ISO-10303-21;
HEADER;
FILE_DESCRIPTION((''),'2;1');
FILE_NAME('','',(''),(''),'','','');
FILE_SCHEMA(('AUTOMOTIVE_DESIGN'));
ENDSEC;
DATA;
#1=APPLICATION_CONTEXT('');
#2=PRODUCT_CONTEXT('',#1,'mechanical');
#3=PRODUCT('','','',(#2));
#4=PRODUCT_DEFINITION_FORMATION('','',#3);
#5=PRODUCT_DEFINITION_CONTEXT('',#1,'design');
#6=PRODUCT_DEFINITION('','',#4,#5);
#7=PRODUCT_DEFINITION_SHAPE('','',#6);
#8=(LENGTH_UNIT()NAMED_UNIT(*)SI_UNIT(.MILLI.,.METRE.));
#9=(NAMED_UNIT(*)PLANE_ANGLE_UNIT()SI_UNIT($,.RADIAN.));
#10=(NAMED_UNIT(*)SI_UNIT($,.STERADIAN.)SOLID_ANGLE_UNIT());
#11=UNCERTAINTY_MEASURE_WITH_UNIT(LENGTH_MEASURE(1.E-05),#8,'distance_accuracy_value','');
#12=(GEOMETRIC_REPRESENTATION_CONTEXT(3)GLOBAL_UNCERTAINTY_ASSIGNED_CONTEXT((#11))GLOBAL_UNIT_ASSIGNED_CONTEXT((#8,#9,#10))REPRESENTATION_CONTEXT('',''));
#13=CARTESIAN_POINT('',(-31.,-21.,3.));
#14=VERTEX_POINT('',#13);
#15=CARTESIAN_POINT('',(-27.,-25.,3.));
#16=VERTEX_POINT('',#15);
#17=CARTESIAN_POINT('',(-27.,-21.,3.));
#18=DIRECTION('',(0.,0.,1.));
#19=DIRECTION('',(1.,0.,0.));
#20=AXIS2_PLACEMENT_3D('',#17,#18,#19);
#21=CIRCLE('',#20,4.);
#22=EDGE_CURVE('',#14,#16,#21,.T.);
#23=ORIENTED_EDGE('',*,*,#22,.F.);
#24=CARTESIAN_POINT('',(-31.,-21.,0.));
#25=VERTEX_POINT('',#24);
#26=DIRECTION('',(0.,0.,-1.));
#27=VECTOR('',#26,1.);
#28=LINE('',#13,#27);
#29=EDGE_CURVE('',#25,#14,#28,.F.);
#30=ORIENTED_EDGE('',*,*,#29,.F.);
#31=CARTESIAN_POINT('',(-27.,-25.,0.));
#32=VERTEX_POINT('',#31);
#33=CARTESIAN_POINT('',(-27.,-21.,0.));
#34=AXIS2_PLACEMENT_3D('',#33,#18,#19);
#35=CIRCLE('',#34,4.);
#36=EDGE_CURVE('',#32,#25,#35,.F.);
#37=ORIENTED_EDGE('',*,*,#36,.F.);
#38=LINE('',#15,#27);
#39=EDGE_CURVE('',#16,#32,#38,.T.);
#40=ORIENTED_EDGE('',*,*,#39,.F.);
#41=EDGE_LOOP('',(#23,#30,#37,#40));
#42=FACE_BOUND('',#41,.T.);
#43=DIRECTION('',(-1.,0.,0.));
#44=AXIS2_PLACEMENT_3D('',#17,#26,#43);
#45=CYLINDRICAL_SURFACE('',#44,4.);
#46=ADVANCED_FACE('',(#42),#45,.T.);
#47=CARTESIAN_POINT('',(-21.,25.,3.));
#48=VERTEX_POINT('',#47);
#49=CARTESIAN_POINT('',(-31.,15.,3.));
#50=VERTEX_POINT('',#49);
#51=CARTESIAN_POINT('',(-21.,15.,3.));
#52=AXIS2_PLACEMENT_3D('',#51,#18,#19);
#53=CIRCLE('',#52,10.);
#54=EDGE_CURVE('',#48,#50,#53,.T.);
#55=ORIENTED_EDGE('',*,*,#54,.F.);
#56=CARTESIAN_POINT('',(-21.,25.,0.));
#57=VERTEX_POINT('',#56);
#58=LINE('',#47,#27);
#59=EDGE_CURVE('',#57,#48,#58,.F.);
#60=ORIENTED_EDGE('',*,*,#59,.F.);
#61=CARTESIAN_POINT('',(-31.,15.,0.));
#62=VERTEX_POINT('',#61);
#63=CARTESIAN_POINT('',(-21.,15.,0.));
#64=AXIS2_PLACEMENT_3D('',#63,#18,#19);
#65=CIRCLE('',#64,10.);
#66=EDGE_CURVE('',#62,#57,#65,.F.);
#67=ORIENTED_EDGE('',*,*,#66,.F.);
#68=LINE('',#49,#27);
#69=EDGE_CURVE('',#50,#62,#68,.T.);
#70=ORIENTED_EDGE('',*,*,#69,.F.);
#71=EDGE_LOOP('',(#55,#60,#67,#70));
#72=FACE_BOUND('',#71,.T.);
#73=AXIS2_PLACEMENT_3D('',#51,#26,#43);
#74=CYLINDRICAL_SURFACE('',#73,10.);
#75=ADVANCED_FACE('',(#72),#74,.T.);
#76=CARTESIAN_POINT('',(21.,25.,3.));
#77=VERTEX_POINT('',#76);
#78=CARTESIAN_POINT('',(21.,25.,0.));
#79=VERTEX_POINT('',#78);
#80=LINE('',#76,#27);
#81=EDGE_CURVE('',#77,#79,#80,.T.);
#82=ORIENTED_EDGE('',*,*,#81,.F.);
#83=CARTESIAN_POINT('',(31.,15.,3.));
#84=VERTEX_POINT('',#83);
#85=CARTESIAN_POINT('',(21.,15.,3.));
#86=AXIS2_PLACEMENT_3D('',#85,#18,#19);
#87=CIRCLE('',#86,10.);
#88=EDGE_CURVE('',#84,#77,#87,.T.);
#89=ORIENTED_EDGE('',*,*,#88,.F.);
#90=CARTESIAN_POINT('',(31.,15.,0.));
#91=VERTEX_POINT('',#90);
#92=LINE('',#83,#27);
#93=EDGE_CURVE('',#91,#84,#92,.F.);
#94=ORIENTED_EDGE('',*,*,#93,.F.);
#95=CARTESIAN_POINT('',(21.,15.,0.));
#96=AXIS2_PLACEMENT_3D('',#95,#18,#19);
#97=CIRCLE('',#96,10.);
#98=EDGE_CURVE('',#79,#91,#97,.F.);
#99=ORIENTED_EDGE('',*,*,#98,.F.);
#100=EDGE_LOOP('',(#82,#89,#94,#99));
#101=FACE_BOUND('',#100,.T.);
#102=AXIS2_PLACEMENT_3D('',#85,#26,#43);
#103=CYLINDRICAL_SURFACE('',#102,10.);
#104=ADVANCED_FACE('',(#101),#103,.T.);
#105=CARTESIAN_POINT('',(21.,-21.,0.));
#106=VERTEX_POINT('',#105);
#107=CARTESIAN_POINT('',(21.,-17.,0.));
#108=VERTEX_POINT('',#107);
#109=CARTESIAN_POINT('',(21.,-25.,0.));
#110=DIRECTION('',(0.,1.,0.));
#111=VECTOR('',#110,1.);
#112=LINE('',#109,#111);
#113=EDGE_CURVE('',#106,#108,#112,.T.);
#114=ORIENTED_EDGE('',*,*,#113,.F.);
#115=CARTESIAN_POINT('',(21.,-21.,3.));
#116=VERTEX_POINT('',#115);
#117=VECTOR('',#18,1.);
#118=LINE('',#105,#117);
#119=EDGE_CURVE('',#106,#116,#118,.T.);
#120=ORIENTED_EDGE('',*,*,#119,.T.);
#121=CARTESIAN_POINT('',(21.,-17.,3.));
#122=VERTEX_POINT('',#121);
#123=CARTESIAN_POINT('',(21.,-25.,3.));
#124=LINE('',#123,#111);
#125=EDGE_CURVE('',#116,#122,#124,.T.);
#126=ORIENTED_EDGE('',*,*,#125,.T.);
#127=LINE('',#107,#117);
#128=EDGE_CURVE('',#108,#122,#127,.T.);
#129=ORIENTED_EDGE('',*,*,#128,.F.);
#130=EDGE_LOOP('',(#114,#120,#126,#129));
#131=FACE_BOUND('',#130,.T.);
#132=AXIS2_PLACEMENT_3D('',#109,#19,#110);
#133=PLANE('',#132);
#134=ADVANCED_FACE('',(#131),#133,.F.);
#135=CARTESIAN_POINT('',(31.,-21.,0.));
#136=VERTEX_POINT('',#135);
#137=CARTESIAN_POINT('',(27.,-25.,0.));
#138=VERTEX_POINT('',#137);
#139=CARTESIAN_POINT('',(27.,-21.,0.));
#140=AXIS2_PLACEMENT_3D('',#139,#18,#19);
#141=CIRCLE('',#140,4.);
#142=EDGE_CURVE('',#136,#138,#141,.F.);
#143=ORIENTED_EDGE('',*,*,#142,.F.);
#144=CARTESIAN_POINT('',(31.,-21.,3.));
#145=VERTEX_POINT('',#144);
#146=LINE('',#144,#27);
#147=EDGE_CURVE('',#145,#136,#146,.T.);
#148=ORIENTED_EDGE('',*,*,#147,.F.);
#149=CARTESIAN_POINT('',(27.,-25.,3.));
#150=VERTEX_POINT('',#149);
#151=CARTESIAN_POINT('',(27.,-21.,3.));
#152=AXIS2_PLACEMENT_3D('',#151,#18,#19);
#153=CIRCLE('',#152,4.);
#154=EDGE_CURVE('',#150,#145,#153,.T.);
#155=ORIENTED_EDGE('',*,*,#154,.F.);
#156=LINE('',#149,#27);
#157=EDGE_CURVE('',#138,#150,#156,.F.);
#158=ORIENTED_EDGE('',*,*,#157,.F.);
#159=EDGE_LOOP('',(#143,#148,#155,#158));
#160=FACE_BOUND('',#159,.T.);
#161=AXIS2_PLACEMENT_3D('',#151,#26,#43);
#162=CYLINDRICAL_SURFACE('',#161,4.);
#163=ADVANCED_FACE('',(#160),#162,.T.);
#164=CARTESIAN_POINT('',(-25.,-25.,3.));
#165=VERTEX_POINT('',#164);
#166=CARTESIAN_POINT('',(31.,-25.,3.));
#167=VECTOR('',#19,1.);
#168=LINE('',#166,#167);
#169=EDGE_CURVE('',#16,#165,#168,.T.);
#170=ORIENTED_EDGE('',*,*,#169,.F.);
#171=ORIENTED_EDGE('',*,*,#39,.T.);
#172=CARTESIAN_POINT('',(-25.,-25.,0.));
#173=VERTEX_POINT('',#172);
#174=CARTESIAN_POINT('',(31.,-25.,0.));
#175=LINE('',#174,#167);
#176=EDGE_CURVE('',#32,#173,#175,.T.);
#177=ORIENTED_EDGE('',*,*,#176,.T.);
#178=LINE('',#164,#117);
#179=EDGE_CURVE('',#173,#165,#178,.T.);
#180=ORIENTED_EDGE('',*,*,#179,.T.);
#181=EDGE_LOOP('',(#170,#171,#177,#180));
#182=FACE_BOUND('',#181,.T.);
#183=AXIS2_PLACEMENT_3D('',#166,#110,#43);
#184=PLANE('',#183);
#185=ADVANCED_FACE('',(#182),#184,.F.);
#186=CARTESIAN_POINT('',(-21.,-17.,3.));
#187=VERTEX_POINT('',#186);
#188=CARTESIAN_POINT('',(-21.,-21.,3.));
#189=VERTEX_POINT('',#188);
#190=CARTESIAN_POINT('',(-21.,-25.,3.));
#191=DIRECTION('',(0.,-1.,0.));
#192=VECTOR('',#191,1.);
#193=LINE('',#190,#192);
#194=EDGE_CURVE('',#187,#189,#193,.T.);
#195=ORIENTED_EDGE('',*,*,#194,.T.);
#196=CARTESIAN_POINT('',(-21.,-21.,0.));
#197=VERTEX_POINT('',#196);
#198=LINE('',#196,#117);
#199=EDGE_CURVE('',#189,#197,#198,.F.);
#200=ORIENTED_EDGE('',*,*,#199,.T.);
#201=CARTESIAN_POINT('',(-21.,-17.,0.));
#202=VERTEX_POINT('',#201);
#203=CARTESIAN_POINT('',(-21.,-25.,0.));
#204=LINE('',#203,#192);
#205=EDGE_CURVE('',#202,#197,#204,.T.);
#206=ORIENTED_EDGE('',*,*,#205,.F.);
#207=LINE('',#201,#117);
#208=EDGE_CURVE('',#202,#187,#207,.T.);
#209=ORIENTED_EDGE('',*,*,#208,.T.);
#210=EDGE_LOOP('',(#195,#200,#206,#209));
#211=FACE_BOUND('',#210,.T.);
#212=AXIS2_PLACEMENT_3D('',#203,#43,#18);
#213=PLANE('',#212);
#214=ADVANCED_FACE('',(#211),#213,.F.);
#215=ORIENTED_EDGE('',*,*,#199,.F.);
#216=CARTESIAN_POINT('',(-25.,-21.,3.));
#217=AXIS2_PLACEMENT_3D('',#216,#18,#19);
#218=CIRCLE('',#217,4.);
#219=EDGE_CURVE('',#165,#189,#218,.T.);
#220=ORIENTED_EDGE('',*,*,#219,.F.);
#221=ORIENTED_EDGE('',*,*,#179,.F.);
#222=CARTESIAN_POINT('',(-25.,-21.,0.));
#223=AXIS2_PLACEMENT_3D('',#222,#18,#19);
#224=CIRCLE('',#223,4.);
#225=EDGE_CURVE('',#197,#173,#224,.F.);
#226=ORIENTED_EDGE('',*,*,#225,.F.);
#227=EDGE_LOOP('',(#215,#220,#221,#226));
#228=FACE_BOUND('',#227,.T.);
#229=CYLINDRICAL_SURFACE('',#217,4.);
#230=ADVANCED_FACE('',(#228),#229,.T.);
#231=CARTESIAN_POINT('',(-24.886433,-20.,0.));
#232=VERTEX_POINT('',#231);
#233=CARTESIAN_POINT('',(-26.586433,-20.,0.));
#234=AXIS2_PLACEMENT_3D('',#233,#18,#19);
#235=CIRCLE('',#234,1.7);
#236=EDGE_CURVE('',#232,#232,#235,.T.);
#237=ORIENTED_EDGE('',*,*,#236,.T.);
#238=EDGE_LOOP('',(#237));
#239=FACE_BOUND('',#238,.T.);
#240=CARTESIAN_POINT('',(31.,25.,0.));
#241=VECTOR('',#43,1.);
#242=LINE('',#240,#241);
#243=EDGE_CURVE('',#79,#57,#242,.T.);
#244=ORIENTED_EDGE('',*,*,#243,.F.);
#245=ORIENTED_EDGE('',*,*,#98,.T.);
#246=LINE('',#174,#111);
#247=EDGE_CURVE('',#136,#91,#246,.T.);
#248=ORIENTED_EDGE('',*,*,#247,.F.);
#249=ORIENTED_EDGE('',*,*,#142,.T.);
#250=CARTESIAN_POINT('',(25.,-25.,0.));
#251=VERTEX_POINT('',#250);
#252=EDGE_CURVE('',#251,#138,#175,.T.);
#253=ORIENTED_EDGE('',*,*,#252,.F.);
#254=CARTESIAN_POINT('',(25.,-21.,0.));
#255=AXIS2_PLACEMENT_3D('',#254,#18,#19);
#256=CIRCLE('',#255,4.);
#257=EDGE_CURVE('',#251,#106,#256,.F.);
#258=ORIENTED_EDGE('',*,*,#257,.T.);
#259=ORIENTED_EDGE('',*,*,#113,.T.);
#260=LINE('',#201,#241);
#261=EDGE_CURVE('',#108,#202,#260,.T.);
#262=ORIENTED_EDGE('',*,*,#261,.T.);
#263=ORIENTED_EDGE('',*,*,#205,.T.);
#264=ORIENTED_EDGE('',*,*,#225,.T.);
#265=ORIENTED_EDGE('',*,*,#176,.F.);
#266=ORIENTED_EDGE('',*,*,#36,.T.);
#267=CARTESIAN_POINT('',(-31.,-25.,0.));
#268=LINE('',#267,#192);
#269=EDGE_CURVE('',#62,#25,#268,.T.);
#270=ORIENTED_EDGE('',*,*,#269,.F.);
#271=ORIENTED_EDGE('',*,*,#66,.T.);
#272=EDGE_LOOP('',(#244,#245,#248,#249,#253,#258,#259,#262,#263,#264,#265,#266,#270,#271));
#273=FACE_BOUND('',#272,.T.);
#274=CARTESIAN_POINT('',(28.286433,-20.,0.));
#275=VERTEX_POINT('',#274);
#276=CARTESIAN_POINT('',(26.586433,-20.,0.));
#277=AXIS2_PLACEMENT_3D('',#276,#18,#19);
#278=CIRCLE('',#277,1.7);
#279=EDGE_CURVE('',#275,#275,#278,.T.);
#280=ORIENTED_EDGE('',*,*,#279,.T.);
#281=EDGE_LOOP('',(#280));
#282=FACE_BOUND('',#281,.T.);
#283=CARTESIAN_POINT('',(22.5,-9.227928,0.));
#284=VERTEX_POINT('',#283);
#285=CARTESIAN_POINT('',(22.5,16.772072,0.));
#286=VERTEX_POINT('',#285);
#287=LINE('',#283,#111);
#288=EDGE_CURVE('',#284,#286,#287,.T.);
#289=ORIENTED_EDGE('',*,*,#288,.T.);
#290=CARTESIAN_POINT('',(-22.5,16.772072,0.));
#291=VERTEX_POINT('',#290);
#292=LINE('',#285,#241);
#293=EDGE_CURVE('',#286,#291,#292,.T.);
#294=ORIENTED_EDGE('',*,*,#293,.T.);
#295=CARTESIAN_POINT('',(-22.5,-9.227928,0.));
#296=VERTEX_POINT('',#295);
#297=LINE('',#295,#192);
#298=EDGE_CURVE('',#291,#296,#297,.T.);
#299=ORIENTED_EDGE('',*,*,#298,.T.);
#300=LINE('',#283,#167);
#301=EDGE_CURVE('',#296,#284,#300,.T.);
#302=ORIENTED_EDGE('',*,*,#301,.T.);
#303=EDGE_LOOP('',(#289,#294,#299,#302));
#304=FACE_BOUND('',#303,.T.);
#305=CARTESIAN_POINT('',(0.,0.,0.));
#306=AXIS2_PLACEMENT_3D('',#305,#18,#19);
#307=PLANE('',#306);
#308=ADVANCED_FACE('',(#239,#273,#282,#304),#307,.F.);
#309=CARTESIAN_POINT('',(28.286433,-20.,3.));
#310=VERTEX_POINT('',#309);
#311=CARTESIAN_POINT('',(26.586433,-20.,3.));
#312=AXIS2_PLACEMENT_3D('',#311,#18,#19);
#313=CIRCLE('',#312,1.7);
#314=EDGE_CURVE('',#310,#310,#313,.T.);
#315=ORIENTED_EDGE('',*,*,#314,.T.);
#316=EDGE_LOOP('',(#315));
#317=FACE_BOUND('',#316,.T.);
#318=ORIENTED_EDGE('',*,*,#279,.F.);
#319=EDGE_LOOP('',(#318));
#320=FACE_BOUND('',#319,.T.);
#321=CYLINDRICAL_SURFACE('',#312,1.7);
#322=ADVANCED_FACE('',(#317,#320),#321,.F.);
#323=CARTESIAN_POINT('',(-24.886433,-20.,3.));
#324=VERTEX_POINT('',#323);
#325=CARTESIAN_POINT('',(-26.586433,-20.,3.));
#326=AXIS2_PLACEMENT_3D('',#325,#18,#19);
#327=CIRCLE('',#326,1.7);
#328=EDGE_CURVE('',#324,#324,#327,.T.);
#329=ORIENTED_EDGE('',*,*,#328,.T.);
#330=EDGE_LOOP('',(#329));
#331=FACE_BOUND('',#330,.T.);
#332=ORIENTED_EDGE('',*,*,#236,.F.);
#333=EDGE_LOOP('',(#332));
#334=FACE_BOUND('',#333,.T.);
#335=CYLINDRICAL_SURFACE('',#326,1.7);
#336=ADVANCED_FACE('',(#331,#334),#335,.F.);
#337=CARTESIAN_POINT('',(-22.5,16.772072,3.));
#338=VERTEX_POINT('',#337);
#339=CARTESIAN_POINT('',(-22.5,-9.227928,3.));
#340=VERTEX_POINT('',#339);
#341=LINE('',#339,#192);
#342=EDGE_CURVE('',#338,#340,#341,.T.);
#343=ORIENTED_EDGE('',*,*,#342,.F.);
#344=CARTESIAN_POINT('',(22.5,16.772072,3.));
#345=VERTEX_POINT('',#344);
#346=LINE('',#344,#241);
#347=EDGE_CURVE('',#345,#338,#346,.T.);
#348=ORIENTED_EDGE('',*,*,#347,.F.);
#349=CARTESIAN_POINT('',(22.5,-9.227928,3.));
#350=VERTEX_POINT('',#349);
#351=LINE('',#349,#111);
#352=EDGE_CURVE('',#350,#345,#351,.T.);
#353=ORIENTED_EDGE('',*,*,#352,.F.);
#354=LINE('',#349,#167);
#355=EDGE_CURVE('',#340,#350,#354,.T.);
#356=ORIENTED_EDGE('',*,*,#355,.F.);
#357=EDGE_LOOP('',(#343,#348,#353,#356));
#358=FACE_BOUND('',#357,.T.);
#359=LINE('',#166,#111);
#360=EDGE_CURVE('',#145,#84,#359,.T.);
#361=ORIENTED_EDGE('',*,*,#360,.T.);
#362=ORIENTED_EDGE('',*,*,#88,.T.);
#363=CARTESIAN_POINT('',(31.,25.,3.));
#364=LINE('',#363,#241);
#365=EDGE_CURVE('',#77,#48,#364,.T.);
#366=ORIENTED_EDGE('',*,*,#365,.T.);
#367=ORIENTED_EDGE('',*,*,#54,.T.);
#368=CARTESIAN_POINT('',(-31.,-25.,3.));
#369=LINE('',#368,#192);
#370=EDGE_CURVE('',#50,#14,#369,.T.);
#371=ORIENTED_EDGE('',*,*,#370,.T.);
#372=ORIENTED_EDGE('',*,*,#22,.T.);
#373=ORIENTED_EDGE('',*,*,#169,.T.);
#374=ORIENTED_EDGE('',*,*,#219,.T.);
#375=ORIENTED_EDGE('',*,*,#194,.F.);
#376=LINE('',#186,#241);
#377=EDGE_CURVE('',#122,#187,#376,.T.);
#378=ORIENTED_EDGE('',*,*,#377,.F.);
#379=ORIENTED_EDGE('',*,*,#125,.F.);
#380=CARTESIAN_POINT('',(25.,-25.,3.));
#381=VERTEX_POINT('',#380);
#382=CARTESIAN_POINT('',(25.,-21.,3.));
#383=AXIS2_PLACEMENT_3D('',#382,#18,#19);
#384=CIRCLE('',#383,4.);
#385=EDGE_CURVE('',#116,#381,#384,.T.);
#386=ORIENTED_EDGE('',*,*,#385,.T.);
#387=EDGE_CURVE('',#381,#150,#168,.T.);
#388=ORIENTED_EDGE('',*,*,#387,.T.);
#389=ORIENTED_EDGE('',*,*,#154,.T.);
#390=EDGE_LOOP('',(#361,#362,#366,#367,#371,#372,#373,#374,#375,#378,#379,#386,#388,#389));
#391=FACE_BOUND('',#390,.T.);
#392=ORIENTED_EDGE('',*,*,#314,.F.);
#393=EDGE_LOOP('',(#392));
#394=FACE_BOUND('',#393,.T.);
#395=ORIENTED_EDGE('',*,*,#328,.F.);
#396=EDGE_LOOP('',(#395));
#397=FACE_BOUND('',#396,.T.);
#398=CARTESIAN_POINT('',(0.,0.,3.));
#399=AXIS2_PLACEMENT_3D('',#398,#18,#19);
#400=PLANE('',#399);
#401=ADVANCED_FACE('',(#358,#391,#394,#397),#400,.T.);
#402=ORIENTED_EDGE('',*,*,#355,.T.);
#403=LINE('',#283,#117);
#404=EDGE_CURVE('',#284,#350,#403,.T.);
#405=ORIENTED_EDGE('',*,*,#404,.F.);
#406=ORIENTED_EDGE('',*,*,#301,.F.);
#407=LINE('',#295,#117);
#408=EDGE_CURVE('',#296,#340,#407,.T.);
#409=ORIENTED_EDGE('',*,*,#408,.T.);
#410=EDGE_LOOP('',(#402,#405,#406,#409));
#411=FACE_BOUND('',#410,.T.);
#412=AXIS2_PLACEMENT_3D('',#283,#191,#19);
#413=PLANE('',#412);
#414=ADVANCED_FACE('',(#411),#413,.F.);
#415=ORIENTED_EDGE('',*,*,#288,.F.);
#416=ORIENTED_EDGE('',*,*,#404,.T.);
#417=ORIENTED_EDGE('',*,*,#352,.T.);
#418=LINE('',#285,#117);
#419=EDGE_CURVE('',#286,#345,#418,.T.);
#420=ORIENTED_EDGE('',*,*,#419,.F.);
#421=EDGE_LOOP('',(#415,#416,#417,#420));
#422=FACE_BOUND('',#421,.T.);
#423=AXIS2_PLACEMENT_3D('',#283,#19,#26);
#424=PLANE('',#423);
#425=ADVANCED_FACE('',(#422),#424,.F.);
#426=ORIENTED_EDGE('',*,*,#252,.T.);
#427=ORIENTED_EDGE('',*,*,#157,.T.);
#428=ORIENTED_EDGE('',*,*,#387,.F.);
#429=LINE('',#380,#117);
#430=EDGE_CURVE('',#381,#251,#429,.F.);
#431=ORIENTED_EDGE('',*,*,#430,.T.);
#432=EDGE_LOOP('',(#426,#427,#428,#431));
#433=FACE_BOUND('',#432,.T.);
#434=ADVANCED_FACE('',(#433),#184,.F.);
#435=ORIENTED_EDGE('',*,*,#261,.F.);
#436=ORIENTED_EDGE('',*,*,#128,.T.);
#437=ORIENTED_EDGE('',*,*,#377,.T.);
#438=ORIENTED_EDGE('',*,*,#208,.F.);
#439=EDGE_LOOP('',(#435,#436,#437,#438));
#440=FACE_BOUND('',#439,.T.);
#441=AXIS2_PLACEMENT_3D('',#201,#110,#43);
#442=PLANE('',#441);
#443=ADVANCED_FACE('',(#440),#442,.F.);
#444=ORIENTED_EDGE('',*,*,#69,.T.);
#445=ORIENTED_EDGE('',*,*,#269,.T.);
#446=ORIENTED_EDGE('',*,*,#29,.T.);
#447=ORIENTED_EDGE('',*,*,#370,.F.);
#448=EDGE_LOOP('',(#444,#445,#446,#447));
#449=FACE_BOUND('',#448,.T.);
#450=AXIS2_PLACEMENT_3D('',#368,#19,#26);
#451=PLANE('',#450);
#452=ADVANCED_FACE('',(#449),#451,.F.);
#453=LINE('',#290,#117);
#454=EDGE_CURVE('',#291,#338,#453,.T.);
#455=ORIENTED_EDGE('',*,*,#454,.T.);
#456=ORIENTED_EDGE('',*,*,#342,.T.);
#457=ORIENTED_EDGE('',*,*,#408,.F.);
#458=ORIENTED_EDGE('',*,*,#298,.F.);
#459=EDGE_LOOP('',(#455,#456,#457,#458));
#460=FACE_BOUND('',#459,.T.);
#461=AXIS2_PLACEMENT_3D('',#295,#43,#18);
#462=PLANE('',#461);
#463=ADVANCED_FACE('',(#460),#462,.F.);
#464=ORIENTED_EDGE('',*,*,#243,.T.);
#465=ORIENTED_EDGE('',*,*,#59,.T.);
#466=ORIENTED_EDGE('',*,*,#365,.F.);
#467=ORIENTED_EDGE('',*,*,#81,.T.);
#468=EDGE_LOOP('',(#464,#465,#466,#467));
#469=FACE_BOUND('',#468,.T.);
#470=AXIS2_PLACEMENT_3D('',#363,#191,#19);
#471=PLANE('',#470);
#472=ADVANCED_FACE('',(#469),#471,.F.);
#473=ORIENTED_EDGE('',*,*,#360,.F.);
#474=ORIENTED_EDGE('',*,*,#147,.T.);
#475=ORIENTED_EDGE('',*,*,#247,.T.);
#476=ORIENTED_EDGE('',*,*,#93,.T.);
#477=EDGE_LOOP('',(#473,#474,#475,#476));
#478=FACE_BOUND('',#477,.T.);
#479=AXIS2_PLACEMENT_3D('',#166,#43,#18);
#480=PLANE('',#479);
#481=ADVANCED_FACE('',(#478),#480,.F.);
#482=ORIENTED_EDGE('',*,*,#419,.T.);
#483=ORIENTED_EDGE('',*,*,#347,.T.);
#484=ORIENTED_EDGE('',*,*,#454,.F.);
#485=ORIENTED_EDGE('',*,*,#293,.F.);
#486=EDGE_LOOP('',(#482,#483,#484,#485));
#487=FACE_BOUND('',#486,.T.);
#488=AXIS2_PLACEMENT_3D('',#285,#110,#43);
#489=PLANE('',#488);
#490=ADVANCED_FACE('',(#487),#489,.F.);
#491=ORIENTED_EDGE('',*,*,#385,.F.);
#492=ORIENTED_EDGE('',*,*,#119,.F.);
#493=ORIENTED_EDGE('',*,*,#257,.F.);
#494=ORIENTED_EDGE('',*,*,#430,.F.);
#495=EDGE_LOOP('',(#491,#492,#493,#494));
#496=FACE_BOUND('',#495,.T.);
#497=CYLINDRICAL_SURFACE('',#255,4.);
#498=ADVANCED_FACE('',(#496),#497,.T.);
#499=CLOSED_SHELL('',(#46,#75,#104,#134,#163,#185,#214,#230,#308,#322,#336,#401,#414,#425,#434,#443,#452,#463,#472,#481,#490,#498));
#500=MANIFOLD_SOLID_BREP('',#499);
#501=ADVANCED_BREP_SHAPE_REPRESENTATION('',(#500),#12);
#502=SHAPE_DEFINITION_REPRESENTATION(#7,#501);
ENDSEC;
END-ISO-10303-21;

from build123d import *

# Parameters (mm, degrees)
SCHIZZO2_W                   = 62
SCHIZZO2_H                   = 50
ESTRUSIONE_ESTRUSIONE1_DEPTH = 3
FORO_PER_VITE_M3_1_D         = 3.4
SCHIZZO5_W                   = 42
SCHIZZO5_H                   = 8
TAGLIO_ESTRUSIONE1_DEPTH     = 3
SCHIZZO6_W                   = 45
SCHIZZO6_H                   = 26
TAGLIO_ESTRUSIONE2_DEPTH     = 3
RACCORDO1_R                  = 10
RACCORDO2_R                  = 4


with BuildPart() as part:
    # Schizzo2 → Estrusione-Estrusione1 (new body)
    with BuildSketch(Plane.XY):
        Rectangle(SCHIZZO2_W, SCHIZZO2_H)
    extrude(amount=ESTRUSIONE_ESTRUSIONE1_DEPTH)

    # Foro per Vite M3-1 (through all)
    with Locations(Plane.XY.offset(3)):
        with Locations((-26.586432577, -20), (26.586432577, -20)):
            Hole(FORO_PER_VITE_M3_1_D / 2)

    # Schizzo5 → Taglio-Estrusione1 (cut)
    with BuildSketch(Plane.XY.offset(3)):
        with Locations((0, -21)):
            Rectangle(SCHIZZO5_W, SCHIZZO5_H)
    extrude(amount=-TAGLIO_ESTRUSIONE1_DEPTH, mode=Mode.SUBTRACT)

    # Schizzo6 → Taglio-Estrusione2 (cut)
    with BuildSketch(Plane.XY.offset(3)):
        with Locations((0, 3.772071737)):
            Rectangle(SCHIZZO6_W, SCHIZZO6_H)
    extrude(amount=-TAGLIO_ESTRUSIONE2_DEPTH, mode=Mode.SUBTRACT)

    # Raccordo1
    raccordo1_edges = [part.edges().sort_by_distance(p)[0] for p in [
        (-31, 25, 1.5),
        (31, 25, 1.5),
    ]]
    fillet(raccordo1_edges, radius=RACCORDO1_R)

    # Raccordo2
    raccordo2_edges = [part.edges().sort_by_distance(p)[0] for p in [
        (-21, -25, 1.5),
        (21, -25, 1.5),
        (31, -25, 1.5),
        (-31, -25, 1.5),
    ]]
    fillet(raccordo2_edges, radius=RACCORDO2_R)


solid = part.part
